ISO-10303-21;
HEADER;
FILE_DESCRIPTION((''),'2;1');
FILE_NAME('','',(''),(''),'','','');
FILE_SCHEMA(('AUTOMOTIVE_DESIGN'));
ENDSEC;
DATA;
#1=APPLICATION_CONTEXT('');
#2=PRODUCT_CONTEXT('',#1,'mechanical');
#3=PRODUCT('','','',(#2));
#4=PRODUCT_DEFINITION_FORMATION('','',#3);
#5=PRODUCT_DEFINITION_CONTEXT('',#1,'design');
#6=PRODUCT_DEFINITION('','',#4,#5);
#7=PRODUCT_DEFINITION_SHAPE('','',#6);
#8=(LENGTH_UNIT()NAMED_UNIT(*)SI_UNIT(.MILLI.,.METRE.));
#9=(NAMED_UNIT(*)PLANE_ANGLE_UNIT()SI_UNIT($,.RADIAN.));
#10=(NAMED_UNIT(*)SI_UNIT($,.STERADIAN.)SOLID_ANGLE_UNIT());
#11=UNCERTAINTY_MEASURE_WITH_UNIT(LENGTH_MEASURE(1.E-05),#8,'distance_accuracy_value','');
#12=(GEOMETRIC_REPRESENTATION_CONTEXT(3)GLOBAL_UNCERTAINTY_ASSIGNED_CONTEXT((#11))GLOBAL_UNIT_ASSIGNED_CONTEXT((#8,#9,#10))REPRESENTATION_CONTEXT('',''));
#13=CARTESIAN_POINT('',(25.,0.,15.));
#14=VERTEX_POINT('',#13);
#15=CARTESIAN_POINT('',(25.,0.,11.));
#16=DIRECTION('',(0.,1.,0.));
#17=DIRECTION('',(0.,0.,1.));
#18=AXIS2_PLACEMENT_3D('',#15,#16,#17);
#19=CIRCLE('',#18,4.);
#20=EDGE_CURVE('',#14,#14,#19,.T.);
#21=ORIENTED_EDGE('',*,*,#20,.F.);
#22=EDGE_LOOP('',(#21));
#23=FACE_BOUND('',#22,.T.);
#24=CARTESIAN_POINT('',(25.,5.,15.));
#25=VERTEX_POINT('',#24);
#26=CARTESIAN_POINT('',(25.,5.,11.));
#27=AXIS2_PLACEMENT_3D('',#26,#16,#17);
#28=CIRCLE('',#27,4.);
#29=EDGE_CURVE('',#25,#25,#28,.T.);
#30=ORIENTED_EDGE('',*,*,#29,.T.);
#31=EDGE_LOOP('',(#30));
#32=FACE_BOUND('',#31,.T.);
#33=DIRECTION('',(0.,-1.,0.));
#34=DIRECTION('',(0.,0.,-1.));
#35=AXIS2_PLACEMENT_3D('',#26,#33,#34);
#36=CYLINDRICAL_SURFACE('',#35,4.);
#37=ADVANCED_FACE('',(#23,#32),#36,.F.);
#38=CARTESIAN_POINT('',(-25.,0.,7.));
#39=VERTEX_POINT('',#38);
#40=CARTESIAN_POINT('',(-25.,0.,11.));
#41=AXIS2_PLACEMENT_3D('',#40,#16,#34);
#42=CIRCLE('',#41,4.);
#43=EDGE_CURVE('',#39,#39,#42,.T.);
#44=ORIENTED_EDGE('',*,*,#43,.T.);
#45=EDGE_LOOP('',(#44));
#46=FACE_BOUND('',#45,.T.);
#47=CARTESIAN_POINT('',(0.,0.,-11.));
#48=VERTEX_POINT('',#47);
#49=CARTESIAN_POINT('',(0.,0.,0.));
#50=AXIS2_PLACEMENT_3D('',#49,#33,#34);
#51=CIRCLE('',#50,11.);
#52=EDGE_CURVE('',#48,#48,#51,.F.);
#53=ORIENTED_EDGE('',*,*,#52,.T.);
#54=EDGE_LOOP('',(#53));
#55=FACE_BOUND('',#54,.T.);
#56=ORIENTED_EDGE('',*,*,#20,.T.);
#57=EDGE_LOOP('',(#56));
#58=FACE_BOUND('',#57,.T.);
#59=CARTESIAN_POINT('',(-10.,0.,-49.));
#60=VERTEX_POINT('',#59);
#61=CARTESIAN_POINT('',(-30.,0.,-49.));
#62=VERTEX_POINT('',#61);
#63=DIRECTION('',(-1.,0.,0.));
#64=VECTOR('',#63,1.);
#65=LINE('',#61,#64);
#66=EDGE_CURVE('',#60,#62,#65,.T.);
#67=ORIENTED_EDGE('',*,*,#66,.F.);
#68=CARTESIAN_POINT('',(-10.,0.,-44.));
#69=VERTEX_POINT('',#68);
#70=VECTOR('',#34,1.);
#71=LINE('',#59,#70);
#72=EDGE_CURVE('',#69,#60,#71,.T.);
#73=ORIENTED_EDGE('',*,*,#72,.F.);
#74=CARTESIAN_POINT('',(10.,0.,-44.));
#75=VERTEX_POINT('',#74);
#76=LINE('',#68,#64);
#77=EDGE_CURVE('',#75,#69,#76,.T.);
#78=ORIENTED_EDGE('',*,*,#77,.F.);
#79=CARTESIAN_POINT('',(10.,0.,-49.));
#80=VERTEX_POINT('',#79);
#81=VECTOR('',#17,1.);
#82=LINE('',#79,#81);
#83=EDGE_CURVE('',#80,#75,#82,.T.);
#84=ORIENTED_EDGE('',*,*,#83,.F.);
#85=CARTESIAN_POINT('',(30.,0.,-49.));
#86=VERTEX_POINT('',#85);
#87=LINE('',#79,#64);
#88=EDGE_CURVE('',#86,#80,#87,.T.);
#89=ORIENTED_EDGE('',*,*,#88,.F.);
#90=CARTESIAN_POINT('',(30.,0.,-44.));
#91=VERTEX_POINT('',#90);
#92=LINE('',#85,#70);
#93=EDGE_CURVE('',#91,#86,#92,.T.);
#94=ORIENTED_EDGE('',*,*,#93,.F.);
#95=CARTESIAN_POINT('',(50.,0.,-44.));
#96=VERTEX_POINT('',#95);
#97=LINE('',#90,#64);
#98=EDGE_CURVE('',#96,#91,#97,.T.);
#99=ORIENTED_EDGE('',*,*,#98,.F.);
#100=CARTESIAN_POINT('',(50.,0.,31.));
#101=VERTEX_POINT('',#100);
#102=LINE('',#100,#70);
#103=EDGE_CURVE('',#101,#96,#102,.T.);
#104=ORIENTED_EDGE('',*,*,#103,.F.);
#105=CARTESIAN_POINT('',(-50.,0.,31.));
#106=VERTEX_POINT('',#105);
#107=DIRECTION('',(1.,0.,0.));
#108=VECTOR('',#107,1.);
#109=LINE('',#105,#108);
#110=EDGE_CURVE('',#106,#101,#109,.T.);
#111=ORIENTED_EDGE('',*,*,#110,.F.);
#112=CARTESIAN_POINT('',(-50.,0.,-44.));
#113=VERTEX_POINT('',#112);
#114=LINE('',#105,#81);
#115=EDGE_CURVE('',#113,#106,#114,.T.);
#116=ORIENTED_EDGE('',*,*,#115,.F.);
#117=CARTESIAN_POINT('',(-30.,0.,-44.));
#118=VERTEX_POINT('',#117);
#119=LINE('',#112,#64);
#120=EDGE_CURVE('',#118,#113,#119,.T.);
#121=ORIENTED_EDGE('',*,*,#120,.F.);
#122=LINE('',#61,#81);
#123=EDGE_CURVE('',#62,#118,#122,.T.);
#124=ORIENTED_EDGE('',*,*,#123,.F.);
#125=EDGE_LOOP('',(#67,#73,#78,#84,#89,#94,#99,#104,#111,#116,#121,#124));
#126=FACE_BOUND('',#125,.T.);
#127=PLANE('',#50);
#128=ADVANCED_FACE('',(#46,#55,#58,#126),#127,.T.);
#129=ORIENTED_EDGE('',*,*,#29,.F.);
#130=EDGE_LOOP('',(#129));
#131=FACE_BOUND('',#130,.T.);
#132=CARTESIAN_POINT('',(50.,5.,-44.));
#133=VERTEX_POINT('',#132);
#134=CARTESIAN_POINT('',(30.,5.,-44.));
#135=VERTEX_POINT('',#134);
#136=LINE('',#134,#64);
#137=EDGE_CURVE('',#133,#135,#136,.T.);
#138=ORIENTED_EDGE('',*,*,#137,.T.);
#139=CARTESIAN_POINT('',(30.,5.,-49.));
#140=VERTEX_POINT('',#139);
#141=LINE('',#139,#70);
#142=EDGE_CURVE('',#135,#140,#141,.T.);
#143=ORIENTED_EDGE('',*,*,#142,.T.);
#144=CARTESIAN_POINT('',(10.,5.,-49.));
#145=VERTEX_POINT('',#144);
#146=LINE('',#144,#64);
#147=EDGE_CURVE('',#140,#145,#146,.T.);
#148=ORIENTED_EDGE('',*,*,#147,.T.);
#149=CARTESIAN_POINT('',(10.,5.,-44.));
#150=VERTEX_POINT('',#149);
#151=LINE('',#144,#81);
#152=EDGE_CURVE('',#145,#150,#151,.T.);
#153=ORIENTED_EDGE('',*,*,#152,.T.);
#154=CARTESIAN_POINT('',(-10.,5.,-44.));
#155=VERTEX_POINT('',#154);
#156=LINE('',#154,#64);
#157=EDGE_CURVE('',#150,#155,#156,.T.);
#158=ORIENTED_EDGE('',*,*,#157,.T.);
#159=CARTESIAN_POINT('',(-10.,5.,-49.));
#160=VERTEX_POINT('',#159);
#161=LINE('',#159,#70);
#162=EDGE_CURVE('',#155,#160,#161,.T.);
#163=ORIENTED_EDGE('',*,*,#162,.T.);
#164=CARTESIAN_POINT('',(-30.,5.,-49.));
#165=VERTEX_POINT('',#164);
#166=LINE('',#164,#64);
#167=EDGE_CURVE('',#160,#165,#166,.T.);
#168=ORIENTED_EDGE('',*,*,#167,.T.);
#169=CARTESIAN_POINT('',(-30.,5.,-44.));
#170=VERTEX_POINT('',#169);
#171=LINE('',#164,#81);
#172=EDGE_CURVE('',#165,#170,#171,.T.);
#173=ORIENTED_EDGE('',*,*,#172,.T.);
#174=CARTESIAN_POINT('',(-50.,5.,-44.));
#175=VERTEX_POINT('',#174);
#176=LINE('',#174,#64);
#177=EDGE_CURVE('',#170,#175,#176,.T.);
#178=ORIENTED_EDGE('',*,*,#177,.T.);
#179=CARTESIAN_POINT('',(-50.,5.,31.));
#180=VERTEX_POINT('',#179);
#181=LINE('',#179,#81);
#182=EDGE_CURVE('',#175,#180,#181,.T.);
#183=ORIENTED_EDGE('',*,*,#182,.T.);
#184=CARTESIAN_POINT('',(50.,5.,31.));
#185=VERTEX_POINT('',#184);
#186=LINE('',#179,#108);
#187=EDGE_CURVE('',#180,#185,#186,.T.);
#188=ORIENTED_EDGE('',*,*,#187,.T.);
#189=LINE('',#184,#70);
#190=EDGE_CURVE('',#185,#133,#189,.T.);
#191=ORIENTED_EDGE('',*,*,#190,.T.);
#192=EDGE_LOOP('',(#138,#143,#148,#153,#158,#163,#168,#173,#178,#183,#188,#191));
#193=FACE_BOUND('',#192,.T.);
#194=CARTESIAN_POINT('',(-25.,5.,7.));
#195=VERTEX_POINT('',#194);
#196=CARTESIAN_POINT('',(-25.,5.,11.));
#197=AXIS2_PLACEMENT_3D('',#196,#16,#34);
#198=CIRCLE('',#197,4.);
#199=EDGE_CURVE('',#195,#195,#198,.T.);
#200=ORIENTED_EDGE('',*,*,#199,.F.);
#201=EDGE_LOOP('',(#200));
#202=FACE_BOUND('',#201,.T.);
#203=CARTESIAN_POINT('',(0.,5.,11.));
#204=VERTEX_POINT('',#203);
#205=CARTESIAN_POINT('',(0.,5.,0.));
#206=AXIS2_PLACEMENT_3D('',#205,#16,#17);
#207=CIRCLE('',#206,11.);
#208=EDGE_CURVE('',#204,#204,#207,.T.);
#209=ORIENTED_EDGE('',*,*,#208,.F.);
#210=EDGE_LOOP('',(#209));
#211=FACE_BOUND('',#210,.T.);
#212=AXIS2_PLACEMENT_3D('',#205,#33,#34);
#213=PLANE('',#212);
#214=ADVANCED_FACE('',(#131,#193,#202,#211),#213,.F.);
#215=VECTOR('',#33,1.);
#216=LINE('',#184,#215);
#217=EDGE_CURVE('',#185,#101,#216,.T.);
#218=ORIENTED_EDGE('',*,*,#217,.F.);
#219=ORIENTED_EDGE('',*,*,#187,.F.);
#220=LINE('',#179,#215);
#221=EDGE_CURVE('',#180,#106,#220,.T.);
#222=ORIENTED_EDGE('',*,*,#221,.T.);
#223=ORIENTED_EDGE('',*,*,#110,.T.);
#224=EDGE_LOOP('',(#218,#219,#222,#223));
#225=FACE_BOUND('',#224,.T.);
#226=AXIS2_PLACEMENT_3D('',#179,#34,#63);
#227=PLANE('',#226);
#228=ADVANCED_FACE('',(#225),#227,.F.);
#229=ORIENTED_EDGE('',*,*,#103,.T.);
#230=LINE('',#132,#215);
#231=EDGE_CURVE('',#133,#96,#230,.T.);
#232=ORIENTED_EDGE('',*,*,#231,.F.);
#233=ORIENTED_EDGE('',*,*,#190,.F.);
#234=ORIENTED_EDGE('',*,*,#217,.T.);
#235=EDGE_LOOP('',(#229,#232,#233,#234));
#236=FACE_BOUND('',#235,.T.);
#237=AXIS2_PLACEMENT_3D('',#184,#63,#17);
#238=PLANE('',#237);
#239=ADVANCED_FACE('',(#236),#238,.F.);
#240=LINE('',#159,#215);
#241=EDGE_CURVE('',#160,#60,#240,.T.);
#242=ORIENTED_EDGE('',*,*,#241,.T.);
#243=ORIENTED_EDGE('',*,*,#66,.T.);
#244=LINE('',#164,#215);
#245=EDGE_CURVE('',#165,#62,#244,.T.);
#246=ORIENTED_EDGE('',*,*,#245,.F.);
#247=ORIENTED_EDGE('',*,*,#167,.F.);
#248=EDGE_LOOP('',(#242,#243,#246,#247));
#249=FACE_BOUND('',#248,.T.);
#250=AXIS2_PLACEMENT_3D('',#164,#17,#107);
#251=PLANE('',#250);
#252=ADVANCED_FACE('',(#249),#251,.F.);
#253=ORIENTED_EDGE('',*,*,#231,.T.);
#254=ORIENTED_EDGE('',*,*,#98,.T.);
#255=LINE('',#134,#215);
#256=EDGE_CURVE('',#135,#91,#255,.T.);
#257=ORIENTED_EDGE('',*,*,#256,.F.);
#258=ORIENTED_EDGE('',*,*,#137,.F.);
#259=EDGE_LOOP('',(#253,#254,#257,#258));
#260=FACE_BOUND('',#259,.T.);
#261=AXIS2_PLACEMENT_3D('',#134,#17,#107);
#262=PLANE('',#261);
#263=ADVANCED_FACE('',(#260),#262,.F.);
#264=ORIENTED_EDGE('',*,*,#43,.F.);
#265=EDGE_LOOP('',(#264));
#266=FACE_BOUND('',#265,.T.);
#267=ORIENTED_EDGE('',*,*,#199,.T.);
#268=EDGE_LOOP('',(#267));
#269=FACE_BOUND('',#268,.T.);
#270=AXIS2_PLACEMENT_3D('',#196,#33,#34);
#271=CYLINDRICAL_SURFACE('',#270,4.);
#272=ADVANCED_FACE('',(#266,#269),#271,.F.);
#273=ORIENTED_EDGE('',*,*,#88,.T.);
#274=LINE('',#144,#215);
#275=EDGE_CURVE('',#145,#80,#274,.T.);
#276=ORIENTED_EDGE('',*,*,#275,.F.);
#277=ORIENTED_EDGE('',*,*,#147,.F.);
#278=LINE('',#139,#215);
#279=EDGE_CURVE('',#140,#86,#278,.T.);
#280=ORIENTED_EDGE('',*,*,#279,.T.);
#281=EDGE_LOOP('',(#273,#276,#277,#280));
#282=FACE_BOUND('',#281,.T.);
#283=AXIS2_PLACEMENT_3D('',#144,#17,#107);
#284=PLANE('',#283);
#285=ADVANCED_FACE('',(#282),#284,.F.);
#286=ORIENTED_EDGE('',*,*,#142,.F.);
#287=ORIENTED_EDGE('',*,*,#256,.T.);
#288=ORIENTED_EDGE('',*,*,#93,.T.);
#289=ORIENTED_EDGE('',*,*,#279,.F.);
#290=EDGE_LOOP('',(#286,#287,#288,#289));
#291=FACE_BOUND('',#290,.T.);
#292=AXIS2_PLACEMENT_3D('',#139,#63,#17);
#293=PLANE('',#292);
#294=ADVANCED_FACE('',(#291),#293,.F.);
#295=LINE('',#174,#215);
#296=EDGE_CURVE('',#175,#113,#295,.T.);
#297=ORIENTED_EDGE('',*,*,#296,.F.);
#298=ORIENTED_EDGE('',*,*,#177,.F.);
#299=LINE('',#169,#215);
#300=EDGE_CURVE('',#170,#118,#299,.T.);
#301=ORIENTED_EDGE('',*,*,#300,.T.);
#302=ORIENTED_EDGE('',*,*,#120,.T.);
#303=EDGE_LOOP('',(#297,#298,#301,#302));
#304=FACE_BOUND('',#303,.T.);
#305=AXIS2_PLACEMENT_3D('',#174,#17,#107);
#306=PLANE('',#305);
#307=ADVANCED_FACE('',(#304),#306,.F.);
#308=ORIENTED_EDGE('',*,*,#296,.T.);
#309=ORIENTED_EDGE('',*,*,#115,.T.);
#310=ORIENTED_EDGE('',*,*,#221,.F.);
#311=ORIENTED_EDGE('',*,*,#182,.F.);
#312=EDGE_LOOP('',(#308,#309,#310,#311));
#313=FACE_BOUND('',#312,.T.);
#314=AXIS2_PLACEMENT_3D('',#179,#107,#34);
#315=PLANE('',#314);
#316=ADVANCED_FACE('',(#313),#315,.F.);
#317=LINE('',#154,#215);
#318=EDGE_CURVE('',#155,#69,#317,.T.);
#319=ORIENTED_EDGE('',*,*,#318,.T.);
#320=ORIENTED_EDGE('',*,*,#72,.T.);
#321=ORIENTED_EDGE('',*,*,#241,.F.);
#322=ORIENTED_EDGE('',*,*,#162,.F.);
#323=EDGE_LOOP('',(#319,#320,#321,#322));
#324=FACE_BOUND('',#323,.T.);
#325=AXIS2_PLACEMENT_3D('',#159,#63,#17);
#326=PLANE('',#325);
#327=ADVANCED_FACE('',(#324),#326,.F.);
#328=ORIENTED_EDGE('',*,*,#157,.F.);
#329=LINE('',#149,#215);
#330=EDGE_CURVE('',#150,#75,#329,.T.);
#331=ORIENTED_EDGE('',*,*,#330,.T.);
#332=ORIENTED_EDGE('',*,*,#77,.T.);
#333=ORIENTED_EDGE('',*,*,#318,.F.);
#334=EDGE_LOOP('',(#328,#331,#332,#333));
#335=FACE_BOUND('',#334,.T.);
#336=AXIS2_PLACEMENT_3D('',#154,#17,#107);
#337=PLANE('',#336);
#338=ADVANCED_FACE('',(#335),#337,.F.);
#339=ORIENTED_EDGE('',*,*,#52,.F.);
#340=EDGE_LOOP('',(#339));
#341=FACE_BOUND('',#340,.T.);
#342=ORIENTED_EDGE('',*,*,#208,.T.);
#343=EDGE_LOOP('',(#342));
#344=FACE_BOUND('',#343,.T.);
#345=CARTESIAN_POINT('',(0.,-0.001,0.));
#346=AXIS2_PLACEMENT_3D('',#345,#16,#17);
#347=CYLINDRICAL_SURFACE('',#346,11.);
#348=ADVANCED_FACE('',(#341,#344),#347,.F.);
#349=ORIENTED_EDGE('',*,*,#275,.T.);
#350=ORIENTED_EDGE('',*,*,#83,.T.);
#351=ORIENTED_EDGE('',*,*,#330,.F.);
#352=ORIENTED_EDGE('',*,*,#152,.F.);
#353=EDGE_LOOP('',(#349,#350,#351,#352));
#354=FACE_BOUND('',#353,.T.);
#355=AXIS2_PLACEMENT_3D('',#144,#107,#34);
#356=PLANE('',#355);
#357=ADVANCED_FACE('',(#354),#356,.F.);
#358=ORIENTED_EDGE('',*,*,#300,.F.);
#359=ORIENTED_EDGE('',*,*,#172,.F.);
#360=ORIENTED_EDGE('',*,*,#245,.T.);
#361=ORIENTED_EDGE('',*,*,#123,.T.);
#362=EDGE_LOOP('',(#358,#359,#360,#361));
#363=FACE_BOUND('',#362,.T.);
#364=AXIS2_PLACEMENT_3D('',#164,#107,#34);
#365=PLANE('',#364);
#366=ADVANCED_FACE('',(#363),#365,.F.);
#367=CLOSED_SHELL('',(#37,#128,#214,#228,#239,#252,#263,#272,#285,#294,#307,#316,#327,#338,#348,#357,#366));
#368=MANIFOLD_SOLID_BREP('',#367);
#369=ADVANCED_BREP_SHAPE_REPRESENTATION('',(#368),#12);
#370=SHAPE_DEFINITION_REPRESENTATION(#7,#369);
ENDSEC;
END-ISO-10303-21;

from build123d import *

# Parameters (mm, degrees)
SKETCH1_R           = 4
BOSS_EXTRUDE1_DEPTH = 5
CUT_EXTRUDE1_REACH  = 7
SKETCH2_R           = 11


with BuildPart() as part:
    # Sketch1 → Boss-Extrude1 (new body)
    with BuildSketch(Plane(origin=(0, 0, 0), x_dir=(1, 0, 0), z_dir=(0, 1, 0))):
        Polygon((-50, 44), (-30, 44), (-30, 49), (-10, 49), (-10, 44), (10, 44), (10, 49), (30, 49), (30, 44), (50, 44), (50, -31), (-50, -31), align=None)
        Circle(SKETCH1_R, mode=Mode.SUBTRACT)
        with Locations((25, -11)):
            Circle(SKETCH1_R, mode=Mode.SUBTRACT)
        with Locations((-25, -11)):
            Circle(SKETCH1_R, mode=Mode.SUBTRACT)
    extrude(amount=BOSS_EXTRUDE1_DEPTH)

    # Sketch2 → Cut-Extrude1 (cut, up to next)
    with BuildSketch(Plane(origin=(0, 5, 0), x_dir=(1, 0, 0), z_dir=(0, 1, 0)), mode=Mode.PRIVATE) as cut_extrude1_sk1:
        Circle(SKETCH2_R)
    cut_extrude1_tool1 = extrude(cut_extrude1_sk1.sketch, amount=-CUT_EXTRUDE1_REACH, mode=Mode.PRIVATE) & part.part
    add(cut_extrude1_tool1.solids().sort_by_distance((0, 5, 0))[0], mode=Mode.SUBTRACT)


solid = part.part
